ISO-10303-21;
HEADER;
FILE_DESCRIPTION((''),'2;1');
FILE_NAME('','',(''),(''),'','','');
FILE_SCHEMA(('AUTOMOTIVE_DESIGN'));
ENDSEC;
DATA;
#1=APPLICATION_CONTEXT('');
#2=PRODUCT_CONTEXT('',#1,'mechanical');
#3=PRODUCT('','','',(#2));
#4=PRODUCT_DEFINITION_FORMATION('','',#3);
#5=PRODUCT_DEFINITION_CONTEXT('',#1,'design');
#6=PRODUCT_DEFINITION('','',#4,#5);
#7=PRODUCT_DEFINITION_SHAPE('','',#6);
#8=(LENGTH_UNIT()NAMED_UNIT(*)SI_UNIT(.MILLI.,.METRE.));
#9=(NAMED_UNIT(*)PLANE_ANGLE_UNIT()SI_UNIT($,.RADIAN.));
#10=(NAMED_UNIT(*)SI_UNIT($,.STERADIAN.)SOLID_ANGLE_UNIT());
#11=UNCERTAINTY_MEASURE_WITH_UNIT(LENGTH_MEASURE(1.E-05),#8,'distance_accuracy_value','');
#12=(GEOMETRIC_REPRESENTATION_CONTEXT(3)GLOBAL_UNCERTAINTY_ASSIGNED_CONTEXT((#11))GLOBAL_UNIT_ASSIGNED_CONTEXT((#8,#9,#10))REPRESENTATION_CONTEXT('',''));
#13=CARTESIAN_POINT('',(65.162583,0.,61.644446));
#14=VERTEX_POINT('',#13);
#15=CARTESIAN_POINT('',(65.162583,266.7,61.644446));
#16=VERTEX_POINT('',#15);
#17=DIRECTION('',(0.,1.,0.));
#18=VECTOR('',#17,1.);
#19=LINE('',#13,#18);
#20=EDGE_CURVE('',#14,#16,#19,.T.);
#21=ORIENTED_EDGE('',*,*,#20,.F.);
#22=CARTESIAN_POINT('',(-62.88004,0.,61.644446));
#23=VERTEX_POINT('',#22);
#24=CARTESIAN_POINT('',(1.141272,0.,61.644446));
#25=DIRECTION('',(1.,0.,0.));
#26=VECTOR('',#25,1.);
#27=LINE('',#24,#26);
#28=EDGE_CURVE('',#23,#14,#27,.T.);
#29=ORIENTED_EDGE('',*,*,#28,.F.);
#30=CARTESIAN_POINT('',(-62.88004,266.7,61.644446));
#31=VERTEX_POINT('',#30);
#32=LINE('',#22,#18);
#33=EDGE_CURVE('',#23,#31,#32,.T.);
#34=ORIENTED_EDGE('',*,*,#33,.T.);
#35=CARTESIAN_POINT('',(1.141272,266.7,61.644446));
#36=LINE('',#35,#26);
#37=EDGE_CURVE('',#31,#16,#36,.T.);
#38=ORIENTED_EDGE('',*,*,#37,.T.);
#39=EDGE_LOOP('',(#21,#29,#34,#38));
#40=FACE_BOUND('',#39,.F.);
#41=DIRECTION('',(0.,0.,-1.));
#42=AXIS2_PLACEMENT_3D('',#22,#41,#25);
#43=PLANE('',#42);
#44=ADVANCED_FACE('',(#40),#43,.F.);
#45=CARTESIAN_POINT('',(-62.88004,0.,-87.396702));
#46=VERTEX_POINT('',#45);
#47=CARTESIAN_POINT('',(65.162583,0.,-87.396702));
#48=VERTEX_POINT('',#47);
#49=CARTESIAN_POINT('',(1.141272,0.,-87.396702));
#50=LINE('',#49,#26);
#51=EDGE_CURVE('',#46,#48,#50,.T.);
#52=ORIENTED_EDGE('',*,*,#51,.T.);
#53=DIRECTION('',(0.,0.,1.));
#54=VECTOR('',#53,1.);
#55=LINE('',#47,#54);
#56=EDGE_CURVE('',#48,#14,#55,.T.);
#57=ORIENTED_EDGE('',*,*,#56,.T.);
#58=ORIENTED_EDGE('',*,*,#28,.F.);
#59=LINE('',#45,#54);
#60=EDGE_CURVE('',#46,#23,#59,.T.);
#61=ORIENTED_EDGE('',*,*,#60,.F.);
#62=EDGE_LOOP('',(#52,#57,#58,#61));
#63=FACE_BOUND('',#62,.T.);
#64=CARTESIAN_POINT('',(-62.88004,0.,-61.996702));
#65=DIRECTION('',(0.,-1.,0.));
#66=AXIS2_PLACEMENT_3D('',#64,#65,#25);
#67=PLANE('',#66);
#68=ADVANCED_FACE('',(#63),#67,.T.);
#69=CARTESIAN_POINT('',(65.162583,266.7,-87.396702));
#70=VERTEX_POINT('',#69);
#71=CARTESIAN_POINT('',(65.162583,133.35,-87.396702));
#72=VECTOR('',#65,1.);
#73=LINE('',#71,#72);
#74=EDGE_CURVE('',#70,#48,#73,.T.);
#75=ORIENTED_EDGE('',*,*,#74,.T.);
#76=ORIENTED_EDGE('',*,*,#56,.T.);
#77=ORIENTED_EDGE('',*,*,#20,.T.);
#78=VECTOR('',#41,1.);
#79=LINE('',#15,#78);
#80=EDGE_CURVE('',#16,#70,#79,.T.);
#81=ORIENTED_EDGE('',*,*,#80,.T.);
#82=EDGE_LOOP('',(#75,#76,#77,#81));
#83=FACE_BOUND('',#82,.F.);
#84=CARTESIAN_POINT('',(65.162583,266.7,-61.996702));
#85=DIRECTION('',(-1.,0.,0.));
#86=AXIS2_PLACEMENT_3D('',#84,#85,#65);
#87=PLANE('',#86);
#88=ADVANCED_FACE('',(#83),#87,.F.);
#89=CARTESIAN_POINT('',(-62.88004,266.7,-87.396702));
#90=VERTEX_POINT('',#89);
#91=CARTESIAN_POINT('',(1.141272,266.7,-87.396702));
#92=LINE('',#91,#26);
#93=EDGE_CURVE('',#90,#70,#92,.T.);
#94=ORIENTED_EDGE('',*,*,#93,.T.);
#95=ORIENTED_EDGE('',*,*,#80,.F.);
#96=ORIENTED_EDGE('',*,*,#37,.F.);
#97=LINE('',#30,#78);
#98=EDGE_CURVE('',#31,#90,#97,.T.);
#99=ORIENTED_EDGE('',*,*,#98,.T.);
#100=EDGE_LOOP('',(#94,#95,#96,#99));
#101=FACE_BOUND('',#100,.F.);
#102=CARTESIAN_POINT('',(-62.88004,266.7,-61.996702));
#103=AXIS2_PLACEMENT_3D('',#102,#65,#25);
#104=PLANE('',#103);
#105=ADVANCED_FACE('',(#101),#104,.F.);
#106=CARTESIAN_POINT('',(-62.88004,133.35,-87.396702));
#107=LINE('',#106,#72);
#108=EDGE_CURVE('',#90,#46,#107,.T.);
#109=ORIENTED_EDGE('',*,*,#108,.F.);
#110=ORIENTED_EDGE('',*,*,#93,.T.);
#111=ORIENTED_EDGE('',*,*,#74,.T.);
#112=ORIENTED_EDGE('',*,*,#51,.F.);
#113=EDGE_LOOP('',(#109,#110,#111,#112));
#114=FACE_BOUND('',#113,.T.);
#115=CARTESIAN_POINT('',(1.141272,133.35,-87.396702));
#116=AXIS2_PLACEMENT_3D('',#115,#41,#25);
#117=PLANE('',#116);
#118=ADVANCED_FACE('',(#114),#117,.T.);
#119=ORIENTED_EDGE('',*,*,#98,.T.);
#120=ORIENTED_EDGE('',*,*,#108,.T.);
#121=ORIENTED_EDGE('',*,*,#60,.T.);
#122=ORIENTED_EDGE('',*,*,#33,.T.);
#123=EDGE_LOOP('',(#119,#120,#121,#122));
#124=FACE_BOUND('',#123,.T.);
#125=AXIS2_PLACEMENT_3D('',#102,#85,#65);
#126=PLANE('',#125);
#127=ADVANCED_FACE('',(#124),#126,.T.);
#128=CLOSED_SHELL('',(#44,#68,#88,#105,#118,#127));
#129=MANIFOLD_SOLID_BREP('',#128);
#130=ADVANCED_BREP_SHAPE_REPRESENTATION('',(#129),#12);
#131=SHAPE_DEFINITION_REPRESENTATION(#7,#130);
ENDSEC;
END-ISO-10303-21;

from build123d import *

# Parameters (mm, degrees)
F0_W     = 128.042623
F0_H     = 123.641148
F1_DEPTH = 266.7
F2_W     = 128.042623
F2_H     = 266.7
F3_DEPTH = 25.4


with BuildPart() as f1:
    # F0 (on Front) → F1 (new body)
    with BuildSketch(Plane.XZ):
        with Locations((1.141272, -0.176128)):
            Rectangle(F0_W, F0_H)
    extrude(amount=-F1_DEPTH)

    # F2 (on face) → F3 (join)
    with BuildSketch(Plane(origin=(0, 0, -61.996702), x_dir=(1, 0, 0), z_dir=(0, 0, -1))):
        with Locations((1.141272, -133.35)):
            Rectangle(F2_W, F2_H)
    extrude(amount=F3_DEPTH)


solid = f1.part
